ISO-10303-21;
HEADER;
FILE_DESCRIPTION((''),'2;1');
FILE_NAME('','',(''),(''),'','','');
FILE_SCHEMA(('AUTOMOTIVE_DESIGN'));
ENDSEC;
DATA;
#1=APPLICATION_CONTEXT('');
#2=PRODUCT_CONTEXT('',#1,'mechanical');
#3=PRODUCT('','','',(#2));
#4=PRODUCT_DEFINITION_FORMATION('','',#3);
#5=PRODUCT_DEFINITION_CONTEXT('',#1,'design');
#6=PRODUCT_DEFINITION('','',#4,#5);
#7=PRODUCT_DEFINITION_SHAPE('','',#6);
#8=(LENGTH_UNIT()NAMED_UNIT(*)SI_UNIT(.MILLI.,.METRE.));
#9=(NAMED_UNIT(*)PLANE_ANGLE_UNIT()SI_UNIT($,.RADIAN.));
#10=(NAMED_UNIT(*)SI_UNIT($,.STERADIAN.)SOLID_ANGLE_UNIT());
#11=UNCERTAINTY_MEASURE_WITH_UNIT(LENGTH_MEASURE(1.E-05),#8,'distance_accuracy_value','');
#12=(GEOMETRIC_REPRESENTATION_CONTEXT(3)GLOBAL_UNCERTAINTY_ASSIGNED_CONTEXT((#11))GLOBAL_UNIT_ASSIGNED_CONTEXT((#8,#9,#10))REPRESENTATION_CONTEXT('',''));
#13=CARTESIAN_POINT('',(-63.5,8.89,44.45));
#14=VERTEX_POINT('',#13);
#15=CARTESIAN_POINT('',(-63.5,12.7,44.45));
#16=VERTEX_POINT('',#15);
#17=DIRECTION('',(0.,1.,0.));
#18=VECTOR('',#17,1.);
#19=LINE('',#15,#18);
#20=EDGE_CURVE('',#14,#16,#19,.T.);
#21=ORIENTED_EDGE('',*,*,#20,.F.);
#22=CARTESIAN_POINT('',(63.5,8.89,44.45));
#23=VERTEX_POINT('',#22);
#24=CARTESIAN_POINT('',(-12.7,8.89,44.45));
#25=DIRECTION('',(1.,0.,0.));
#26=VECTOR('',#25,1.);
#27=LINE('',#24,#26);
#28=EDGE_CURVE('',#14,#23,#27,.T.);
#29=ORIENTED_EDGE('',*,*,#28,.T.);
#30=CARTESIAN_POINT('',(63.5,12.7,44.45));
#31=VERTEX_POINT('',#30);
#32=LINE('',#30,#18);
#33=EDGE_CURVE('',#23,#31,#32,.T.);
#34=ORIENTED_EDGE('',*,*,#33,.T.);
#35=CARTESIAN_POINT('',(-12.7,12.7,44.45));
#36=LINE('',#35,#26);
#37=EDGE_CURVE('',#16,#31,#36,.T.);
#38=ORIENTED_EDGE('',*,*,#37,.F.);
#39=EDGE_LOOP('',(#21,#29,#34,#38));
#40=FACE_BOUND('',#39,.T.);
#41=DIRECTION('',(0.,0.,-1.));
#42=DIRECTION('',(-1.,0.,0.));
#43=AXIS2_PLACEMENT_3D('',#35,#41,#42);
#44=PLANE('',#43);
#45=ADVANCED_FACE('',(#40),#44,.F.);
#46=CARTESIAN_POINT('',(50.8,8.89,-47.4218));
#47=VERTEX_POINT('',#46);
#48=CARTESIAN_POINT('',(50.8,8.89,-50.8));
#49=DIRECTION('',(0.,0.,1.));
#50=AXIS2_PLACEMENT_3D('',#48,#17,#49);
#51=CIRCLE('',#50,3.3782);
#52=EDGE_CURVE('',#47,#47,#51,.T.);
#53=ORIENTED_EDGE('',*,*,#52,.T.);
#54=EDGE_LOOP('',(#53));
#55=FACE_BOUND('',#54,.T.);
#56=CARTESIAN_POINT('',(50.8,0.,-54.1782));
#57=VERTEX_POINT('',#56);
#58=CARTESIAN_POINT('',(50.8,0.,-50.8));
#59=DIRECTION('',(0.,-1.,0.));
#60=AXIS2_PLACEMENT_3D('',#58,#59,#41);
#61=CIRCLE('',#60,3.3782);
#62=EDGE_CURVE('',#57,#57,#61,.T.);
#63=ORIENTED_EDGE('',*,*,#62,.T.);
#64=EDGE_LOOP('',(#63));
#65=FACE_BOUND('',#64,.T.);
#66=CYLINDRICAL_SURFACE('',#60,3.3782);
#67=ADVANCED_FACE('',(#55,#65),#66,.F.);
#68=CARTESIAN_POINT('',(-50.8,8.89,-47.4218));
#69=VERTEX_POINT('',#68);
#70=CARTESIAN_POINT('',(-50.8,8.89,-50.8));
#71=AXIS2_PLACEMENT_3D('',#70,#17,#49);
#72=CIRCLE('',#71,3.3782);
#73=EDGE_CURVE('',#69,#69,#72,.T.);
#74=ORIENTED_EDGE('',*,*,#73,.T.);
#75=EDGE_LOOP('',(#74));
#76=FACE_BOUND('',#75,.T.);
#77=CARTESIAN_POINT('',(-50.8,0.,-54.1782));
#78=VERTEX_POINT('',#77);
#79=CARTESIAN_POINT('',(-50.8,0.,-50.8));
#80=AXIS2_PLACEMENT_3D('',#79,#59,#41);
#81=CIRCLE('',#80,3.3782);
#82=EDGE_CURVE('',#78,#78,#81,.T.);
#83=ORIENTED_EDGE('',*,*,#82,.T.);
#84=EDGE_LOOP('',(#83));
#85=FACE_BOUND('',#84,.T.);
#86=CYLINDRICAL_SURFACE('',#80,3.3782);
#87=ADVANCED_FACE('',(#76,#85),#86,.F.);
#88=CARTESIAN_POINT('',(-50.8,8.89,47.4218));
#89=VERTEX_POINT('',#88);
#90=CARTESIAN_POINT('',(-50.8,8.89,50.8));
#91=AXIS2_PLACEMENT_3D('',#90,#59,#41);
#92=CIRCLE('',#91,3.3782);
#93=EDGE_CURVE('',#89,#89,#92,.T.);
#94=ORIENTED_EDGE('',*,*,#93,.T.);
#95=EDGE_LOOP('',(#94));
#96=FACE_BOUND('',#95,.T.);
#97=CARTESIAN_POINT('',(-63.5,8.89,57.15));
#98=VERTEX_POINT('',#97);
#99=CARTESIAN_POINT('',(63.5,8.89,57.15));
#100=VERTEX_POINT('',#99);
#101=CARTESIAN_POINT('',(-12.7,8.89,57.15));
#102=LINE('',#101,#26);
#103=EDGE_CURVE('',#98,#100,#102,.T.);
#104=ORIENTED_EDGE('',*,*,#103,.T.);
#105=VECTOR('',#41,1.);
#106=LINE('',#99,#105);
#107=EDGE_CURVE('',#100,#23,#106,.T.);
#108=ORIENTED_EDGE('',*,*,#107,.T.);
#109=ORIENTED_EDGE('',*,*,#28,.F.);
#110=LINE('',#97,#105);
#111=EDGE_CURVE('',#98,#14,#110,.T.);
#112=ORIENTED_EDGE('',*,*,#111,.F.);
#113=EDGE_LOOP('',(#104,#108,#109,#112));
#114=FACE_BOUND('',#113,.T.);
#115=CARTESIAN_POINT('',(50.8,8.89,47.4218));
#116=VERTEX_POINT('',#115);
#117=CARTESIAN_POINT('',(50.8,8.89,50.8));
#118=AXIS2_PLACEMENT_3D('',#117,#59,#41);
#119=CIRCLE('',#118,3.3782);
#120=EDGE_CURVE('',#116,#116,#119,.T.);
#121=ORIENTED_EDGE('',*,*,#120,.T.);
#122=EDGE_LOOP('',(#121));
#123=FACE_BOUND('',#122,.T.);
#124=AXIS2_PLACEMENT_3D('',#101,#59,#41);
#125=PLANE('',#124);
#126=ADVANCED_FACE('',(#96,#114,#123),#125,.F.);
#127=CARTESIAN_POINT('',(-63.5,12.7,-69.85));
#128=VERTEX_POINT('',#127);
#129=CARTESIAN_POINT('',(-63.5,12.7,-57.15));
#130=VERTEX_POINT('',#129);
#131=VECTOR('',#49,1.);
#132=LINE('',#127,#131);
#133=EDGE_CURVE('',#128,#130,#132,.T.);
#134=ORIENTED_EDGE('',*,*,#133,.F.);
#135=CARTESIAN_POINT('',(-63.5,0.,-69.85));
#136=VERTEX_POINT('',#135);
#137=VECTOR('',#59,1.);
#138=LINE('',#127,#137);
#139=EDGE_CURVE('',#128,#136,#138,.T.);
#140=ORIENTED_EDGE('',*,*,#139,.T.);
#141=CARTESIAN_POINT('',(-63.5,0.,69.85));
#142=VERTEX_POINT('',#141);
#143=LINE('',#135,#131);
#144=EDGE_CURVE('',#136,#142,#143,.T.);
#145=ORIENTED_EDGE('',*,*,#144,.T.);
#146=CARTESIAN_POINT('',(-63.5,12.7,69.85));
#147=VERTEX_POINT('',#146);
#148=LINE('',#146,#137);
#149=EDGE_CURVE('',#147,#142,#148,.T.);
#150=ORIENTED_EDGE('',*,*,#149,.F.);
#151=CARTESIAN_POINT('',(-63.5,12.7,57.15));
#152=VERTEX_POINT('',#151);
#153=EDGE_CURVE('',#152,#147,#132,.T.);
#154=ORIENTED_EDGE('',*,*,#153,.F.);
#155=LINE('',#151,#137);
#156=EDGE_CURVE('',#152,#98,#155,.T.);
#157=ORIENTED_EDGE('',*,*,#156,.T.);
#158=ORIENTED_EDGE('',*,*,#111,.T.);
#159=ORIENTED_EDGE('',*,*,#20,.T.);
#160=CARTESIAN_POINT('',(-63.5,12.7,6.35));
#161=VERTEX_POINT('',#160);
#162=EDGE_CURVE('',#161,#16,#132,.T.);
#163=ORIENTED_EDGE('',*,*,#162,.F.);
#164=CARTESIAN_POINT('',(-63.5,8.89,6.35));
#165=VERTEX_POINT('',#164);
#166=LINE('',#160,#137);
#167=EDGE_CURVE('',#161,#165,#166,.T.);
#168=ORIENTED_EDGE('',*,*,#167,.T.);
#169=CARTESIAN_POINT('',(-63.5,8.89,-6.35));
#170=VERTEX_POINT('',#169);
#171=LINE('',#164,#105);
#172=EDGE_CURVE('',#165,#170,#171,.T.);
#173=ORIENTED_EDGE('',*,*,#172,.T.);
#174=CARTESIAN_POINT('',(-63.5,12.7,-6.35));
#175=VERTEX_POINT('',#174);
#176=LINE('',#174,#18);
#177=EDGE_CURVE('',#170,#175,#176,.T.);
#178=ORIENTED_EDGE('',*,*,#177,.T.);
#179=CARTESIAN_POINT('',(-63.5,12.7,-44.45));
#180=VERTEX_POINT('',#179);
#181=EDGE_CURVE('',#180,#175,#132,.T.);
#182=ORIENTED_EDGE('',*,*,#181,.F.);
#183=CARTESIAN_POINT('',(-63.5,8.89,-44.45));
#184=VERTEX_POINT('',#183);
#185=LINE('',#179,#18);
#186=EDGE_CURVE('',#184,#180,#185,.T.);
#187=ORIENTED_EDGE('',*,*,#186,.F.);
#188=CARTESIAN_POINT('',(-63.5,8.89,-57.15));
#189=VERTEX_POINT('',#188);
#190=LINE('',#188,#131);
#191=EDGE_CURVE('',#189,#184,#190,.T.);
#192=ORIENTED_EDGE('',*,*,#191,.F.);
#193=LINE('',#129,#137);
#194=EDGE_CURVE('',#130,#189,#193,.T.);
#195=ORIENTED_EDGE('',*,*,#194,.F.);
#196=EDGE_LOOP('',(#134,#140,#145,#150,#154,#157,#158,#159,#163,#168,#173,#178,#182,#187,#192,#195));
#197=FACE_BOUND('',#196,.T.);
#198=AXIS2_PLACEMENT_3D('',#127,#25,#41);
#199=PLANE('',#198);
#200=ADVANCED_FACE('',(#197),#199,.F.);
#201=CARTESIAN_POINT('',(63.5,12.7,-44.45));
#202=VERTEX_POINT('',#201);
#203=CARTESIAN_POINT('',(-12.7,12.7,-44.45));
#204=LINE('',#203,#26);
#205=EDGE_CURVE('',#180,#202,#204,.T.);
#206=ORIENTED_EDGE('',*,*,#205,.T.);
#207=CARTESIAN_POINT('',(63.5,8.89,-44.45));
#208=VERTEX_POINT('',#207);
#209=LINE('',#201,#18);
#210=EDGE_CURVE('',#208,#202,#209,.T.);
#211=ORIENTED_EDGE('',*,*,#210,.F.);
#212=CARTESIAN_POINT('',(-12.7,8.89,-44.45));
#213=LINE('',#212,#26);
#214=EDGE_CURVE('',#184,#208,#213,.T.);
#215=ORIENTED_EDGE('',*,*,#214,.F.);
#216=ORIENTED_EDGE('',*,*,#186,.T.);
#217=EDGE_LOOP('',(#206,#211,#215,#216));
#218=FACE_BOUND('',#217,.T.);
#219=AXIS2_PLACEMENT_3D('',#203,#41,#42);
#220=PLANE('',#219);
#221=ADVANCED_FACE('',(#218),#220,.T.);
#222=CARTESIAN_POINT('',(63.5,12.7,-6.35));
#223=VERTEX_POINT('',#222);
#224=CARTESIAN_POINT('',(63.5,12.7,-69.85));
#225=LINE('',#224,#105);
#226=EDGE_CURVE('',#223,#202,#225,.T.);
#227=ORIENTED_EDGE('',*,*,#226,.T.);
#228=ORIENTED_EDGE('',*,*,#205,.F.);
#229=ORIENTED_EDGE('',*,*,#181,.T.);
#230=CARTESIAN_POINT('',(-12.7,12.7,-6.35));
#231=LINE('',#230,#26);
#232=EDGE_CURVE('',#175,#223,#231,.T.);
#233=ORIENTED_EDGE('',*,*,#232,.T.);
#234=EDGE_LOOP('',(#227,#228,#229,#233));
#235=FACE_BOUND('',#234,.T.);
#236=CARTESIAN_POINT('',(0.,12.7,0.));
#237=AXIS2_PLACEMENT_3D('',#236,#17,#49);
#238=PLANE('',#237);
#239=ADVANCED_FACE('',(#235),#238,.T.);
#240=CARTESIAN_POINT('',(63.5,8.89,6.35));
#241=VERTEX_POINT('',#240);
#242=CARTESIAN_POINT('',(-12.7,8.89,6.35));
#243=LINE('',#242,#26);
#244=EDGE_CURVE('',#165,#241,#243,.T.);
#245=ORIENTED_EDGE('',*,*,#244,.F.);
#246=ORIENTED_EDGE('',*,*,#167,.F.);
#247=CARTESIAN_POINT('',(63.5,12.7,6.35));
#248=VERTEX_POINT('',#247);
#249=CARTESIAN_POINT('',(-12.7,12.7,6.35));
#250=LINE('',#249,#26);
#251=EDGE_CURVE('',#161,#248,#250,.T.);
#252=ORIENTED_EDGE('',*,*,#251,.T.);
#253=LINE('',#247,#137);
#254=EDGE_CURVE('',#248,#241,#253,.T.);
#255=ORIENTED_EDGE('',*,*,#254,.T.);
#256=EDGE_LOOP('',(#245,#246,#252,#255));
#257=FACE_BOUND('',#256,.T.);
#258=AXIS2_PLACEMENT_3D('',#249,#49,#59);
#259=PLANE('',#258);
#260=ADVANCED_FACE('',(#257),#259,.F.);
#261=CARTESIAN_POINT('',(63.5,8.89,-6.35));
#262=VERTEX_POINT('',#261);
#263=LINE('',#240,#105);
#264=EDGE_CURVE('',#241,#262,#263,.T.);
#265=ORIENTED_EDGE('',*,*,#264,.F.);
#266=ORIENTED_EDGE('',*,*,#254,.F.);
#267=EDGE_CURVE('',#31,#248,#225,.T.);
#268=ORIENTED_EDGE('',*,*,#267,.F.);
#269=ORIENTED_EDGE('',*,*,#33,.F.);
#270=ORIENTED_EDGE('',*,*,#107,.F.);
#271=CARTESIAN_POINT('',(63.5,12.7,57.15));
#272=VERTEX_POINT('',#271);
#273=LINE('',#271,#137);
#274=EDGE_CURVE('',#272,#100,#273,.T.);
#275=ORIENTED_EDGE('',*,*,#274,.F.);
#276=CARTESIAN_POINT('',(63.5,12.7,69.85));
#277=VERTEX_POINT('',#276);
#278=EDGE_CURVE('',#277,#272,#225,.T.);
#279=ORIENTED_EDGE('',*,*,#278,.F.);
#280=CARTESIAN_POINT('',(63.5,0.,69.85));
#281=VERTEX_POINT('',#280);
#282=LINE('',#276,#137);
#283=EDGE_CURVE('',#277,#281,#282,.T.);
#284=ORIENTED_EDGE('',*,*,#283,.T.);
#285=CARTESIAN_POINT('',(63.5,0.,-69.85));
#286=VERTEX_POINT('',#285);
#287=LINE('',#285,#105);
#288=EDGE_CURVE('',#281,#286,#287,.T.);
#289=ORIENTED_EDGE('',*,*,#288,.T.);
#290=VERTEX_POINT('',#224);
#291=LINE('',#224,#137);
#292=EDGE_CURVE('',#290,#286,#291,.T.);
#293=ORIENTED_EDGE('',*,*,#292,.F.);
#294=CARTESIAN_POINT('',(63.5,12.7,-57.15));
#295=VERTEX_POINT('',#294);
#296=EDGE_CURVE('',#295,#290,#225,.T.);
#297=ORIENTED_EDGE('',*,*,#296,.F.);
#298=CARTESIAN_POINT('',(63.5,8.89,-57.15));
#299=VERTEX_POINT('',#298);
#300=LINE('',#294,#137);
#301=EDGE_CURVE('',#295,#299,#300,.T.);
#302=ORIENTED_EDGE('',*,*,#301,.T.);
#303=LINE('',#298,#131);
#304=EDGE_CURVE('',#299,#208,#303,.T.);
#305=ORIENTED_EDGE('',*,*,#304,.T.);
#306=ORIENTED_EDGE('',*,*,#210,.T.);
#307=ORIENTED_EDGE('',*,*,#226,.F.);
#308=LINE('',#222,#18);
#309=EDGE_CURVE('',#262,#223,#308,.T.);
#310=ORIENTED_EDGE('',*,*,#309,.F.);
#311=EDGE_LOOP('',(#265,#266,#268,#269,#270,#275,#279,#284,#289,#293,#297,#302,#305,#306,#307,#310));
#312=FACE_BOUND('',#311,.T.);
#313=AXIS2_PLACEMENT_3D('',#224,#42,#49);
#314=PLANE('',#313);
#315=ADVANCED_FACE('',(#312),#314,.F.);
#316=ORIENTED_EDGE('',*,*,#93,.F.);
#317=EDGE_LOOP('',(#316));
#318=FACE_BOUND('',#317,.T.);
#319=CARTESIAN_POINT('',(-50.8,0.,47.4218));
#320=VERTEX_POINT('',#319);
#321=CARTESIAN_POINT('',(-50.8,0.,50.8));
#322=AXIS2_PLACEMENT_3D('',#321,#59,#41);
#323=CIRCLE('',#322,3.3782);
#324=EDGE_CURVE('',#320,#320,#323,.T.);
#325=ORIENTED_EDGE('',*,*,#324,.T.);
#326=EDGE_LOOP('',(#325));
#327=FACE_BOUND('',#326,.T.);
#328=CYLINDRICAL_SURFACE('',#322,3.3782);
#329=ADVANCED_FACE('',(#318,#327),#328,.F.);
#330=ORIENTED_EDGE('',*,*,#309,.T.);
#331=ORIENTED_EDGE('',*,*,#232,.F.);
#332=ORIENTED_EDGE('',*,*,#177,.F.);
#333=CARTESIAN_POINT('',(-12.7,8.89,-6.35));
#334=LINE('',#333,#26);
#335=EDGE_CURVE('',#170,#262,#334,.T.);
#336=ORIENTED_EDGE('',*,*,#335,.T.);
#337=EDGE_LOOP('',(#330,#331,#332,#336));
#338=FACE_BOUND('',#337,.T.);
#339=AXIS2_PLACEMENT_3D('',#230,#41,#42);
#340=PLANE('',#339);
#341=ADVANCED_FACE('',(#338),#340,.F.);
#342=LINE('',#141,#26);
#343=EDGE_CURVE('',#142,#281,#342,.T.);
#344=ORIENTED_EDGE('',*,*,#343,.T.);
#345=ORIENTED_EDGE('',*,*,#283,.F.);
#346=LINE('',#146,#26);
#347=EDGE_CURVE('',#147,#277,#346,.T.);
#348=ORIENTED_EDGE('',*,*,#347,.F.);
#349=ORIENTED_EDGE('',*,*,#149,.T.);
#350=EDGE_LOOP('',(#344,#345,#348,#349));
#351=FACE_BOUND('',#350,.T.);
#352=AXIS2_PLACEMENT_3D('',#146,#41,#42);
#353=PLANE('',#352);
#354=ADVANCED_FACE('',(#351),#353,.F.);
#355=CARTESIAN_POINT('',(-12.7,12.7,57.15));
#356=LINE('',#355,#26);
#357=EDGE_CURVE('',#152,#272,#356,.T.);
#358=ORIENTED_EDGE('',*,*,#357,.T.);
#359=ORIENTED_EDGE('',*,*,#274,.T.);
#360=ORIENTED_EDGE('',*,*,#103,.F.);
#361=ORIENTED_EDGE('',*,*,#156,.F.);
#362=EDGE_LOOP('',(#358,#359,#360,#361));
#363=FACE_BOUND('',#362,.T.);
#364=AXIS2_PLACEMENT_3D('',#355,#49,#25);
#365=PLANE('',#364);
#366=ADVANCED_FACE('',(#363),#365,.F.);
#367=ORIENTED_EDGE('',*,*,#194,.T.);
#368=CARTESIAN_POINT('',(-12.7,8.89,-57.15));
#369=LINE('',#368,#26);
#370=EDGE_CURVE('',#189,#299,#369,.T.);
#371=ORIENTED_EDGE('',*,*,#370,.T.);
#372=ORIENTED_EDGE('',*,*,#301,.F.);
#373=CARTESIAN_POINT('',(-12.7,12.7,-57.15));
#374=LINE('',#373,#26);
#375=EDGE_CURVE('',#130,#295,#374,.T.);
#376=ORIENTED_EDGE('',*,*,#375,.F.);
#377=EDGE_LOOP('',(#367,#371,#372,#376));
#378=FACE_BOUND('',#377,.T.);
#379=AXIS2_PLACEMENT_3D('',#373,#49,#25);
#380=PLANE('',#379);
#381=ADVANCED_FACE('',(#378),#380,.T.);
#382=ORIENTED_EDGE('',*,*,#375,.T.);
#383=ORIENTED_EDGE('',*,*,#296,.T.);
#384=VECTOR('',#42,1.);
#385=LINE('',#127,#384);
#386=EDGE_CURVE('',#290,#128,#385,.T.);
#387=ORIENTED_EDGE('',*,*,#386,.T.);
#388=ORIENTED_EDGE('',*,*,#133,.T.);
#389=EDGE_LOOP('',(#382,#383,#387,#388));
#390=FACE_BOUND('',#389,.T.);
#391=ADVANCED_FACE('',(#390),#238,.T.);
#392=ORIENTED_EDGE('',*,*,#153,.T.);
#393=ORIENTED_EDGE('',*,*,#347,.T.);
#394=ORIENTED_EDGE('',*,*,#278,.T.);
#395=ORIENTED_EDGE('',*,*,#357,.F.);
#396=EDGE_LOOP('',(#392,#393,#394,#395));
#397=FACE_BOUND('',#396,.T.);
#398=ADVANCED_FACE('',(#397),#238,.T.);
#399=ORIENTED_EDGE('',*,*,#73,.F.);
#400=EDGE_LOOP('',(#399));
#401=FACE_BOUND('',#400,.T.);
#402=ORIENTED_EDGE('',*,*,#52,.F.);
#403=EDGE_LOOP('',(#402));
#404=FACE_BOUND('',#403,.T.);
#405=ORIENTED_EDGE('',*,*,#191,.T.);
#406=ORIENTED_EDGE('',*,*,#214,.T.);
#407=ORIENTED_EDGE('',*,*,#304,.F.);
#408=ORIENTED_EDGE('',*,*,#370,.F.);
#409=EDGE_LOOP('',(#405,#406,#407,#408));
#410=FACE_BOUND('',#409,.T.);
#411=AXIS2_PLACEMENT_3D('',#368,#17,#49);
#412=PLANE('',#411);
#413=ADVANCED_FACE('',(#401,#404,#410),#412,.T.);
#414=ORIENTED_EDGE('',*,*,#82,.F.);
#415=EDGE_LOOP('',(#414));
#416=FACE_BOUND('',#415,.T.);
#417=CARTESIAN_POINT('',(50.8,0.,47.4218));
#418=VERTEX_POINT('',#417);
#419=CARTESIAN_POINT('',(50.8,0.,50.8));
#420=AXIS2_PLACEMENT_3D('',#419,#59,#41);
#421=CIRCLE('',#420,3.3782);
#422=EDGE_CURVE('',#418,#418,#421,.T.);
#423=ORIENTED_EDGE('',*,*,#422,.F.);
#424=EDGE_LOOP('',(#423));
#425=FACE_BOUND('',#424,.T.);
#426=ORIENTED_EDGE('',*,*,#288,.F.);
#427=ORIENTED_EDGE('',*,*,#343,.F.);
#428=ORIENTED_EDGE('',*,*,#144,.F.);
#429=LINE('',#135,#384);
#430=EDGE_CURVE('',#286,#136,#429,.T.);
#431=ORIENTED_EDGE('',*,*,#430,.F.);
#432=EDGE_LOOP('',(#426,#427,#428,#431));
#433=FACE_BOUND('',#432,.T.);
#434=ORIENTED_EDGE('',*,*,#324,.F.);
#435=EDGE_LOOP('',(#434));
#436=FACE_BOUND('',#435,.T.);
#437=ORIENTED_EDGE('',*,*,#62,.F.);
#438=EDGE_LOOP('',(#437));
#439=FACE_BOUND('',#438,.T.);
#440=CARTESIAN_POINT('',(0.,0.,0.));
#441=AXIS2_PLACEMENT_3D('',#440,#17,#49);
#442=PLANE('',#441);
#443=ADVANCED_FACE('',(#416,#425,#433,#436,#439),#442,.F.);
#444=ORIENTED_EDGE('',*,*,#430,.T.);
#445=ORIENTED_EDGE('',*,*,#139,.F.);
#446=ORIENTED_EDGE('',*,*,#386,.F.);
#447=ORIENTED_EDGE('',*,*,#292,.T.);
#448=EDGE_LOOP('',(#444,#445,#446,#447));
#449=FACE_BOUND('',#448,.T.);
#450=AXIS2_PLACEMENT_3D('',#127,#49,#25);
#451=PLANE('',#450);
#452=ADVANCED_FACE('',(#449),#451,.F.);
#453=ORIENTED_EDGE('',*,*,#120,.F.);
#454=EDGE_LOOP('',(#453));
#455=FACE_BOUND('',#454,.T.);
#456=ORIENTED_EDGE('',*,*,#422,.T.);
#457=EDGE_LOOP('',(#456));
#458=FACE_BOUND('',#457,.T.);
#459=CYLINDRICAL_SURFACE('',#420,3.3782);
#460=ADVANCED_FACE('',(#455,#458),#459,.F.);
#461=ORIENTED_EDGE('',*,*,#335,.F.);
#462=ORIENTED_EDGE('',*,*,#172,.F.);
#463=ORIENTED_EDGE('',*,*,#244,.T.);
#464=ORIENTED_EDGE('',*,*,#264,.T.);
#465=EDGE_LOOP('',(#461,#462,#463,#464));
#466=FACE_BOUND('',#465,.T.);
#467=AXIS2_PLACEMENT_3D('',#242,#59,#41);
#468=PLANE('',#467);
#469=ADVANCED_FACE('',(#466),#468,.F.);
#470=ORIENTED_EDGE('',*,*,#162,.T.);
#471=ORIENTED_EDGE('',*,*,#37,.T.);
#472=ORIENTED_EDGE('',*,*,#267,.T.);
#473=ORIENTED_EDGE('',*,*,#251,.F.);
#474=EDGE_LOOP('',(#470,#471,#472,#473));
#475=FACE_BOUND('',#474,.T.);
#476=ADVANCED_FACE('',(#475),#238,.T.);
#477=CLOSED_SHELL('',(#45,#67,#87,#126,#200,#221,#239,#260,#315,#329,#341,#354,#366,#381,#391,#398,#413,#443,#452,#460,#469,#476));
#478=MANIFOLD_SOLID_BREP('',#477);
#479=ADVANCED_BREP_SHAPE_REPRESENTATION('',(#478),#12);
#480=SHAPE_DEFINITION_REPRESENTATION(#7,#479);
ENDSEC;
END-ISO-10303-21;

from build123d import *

# Parameters (mm, degrees)
SKETCH2_W               = 127
SKETCH2_H               = 139.7
BOSS_EXTRUDE1_DEPTH     = 12.7
SKETCH4_W               = 12.7
SKETCH4_H               = 3.81
CUT_EXTRUDE1_DEPTH      = 76.2
SKETCH5_W               = 12.7
SKETCH5_H               = 3.81
CUT_EXTRUDE2_DEPTH      = 76.2
MIRROR3_COPY_1_SKETCH_W = 12.7
MIRROR3_COPY_1_SKETCH_H = 3.81
MIRROR3_COPY_1_DEPTH    = 76.2
F_1_4_CLEARANCE_HOLE1_D = 6.7564


with BuildPart() as part:
    # Sketch2 → Boss-Extrude1 (new body)
    with BuildSketch(Plane(origin=(0, 0, 0), x_dir=(1, 0, 0), z_dir=(0, 1, 0))):
        Rectangle(SKETCH2_W, SKETCH2_H)
    extrude(amount=BOSS_EXTRUDE1_DEPTH)

    # Sketch4 → Cut-Extrude1 (cut)
    with BuildSketch(Plane(origin=(63.5, 0, 0), x_dir=(0, 0, -1), z_dir=(1, 0, 0))):
        with Locations((-50.8, 10.795)):
            Rectangle(SKETCH4_W, SKETCH4_H)
    cut_extrude1 = extrude(amount=-CUT_EXTRUDE1_DEPTH, mode=Mode.SUBTRACT)

    # Mirror1: Cut-Extrude1 across plane
    add(cut_extrude1.mirror(Plane.XY), mode=Mode.SUBTRACT)

    # Sketch5 → Cut-Extrude2 (cut)
    with BuildSketch(Plane(origin=(63.5, 0, 0), x_dir=(0, 0, -1), z_dir=(1, 0, 0))):
        with Locations((0, 10.795)):
            Rectangle(SKETCH5_W, SKETCH5_H)
    cut_extrude2 = extrude(amount=-CUT_EXTRUDE2_DEPTH, mode=Mode.SUBTRACT)

    # Mirror3: Cut-Extrude1, Cut-Extrude2 across plane
    add(cut_extrude1.mirror(Plane(origin=(0, 0, 0), x_dir=(0, 0, 1), z_dir=(1, 0, 0))), mode=Mode.SUBTRACT)
    add(cut_extrude2.mirror(Plane(origin=(0, 0, 0), x_dir=(0, 0, 1), z_dir=(1, 0, 0))), mode=Mode.SUBTRACT)

    # Mirror3 copy 1 sketch → Mirror3 copy 1 (cut)
    with BuildSketch(Plane.ZY.offset(63.5)):
        with Locations((-50.8, 10.795)):
            Rectangle(MIRROR3_COPY_1_SKETCH_W, MIRROR3_COPY_1_SKETCH_H)
    extrude(amount=-MIRROR3_COPY_1_DEPTH, mode=Mode.SUBTRACT)

    # 1/4 Clearance Hole1 (through all)
    with Locations(Plane(origin=(0, 0, 0), x_dir=(-1, 0, 0), z_dir=(0, -1, 0))):
        with Locations((-50.8, -50.8), (-50.8, 50.8), (50.8, 50.8), (50.8, -50.8)):
            Hole(F_1_4_CLEARANCE_HOLE1_D / 2)


solid = part.part
